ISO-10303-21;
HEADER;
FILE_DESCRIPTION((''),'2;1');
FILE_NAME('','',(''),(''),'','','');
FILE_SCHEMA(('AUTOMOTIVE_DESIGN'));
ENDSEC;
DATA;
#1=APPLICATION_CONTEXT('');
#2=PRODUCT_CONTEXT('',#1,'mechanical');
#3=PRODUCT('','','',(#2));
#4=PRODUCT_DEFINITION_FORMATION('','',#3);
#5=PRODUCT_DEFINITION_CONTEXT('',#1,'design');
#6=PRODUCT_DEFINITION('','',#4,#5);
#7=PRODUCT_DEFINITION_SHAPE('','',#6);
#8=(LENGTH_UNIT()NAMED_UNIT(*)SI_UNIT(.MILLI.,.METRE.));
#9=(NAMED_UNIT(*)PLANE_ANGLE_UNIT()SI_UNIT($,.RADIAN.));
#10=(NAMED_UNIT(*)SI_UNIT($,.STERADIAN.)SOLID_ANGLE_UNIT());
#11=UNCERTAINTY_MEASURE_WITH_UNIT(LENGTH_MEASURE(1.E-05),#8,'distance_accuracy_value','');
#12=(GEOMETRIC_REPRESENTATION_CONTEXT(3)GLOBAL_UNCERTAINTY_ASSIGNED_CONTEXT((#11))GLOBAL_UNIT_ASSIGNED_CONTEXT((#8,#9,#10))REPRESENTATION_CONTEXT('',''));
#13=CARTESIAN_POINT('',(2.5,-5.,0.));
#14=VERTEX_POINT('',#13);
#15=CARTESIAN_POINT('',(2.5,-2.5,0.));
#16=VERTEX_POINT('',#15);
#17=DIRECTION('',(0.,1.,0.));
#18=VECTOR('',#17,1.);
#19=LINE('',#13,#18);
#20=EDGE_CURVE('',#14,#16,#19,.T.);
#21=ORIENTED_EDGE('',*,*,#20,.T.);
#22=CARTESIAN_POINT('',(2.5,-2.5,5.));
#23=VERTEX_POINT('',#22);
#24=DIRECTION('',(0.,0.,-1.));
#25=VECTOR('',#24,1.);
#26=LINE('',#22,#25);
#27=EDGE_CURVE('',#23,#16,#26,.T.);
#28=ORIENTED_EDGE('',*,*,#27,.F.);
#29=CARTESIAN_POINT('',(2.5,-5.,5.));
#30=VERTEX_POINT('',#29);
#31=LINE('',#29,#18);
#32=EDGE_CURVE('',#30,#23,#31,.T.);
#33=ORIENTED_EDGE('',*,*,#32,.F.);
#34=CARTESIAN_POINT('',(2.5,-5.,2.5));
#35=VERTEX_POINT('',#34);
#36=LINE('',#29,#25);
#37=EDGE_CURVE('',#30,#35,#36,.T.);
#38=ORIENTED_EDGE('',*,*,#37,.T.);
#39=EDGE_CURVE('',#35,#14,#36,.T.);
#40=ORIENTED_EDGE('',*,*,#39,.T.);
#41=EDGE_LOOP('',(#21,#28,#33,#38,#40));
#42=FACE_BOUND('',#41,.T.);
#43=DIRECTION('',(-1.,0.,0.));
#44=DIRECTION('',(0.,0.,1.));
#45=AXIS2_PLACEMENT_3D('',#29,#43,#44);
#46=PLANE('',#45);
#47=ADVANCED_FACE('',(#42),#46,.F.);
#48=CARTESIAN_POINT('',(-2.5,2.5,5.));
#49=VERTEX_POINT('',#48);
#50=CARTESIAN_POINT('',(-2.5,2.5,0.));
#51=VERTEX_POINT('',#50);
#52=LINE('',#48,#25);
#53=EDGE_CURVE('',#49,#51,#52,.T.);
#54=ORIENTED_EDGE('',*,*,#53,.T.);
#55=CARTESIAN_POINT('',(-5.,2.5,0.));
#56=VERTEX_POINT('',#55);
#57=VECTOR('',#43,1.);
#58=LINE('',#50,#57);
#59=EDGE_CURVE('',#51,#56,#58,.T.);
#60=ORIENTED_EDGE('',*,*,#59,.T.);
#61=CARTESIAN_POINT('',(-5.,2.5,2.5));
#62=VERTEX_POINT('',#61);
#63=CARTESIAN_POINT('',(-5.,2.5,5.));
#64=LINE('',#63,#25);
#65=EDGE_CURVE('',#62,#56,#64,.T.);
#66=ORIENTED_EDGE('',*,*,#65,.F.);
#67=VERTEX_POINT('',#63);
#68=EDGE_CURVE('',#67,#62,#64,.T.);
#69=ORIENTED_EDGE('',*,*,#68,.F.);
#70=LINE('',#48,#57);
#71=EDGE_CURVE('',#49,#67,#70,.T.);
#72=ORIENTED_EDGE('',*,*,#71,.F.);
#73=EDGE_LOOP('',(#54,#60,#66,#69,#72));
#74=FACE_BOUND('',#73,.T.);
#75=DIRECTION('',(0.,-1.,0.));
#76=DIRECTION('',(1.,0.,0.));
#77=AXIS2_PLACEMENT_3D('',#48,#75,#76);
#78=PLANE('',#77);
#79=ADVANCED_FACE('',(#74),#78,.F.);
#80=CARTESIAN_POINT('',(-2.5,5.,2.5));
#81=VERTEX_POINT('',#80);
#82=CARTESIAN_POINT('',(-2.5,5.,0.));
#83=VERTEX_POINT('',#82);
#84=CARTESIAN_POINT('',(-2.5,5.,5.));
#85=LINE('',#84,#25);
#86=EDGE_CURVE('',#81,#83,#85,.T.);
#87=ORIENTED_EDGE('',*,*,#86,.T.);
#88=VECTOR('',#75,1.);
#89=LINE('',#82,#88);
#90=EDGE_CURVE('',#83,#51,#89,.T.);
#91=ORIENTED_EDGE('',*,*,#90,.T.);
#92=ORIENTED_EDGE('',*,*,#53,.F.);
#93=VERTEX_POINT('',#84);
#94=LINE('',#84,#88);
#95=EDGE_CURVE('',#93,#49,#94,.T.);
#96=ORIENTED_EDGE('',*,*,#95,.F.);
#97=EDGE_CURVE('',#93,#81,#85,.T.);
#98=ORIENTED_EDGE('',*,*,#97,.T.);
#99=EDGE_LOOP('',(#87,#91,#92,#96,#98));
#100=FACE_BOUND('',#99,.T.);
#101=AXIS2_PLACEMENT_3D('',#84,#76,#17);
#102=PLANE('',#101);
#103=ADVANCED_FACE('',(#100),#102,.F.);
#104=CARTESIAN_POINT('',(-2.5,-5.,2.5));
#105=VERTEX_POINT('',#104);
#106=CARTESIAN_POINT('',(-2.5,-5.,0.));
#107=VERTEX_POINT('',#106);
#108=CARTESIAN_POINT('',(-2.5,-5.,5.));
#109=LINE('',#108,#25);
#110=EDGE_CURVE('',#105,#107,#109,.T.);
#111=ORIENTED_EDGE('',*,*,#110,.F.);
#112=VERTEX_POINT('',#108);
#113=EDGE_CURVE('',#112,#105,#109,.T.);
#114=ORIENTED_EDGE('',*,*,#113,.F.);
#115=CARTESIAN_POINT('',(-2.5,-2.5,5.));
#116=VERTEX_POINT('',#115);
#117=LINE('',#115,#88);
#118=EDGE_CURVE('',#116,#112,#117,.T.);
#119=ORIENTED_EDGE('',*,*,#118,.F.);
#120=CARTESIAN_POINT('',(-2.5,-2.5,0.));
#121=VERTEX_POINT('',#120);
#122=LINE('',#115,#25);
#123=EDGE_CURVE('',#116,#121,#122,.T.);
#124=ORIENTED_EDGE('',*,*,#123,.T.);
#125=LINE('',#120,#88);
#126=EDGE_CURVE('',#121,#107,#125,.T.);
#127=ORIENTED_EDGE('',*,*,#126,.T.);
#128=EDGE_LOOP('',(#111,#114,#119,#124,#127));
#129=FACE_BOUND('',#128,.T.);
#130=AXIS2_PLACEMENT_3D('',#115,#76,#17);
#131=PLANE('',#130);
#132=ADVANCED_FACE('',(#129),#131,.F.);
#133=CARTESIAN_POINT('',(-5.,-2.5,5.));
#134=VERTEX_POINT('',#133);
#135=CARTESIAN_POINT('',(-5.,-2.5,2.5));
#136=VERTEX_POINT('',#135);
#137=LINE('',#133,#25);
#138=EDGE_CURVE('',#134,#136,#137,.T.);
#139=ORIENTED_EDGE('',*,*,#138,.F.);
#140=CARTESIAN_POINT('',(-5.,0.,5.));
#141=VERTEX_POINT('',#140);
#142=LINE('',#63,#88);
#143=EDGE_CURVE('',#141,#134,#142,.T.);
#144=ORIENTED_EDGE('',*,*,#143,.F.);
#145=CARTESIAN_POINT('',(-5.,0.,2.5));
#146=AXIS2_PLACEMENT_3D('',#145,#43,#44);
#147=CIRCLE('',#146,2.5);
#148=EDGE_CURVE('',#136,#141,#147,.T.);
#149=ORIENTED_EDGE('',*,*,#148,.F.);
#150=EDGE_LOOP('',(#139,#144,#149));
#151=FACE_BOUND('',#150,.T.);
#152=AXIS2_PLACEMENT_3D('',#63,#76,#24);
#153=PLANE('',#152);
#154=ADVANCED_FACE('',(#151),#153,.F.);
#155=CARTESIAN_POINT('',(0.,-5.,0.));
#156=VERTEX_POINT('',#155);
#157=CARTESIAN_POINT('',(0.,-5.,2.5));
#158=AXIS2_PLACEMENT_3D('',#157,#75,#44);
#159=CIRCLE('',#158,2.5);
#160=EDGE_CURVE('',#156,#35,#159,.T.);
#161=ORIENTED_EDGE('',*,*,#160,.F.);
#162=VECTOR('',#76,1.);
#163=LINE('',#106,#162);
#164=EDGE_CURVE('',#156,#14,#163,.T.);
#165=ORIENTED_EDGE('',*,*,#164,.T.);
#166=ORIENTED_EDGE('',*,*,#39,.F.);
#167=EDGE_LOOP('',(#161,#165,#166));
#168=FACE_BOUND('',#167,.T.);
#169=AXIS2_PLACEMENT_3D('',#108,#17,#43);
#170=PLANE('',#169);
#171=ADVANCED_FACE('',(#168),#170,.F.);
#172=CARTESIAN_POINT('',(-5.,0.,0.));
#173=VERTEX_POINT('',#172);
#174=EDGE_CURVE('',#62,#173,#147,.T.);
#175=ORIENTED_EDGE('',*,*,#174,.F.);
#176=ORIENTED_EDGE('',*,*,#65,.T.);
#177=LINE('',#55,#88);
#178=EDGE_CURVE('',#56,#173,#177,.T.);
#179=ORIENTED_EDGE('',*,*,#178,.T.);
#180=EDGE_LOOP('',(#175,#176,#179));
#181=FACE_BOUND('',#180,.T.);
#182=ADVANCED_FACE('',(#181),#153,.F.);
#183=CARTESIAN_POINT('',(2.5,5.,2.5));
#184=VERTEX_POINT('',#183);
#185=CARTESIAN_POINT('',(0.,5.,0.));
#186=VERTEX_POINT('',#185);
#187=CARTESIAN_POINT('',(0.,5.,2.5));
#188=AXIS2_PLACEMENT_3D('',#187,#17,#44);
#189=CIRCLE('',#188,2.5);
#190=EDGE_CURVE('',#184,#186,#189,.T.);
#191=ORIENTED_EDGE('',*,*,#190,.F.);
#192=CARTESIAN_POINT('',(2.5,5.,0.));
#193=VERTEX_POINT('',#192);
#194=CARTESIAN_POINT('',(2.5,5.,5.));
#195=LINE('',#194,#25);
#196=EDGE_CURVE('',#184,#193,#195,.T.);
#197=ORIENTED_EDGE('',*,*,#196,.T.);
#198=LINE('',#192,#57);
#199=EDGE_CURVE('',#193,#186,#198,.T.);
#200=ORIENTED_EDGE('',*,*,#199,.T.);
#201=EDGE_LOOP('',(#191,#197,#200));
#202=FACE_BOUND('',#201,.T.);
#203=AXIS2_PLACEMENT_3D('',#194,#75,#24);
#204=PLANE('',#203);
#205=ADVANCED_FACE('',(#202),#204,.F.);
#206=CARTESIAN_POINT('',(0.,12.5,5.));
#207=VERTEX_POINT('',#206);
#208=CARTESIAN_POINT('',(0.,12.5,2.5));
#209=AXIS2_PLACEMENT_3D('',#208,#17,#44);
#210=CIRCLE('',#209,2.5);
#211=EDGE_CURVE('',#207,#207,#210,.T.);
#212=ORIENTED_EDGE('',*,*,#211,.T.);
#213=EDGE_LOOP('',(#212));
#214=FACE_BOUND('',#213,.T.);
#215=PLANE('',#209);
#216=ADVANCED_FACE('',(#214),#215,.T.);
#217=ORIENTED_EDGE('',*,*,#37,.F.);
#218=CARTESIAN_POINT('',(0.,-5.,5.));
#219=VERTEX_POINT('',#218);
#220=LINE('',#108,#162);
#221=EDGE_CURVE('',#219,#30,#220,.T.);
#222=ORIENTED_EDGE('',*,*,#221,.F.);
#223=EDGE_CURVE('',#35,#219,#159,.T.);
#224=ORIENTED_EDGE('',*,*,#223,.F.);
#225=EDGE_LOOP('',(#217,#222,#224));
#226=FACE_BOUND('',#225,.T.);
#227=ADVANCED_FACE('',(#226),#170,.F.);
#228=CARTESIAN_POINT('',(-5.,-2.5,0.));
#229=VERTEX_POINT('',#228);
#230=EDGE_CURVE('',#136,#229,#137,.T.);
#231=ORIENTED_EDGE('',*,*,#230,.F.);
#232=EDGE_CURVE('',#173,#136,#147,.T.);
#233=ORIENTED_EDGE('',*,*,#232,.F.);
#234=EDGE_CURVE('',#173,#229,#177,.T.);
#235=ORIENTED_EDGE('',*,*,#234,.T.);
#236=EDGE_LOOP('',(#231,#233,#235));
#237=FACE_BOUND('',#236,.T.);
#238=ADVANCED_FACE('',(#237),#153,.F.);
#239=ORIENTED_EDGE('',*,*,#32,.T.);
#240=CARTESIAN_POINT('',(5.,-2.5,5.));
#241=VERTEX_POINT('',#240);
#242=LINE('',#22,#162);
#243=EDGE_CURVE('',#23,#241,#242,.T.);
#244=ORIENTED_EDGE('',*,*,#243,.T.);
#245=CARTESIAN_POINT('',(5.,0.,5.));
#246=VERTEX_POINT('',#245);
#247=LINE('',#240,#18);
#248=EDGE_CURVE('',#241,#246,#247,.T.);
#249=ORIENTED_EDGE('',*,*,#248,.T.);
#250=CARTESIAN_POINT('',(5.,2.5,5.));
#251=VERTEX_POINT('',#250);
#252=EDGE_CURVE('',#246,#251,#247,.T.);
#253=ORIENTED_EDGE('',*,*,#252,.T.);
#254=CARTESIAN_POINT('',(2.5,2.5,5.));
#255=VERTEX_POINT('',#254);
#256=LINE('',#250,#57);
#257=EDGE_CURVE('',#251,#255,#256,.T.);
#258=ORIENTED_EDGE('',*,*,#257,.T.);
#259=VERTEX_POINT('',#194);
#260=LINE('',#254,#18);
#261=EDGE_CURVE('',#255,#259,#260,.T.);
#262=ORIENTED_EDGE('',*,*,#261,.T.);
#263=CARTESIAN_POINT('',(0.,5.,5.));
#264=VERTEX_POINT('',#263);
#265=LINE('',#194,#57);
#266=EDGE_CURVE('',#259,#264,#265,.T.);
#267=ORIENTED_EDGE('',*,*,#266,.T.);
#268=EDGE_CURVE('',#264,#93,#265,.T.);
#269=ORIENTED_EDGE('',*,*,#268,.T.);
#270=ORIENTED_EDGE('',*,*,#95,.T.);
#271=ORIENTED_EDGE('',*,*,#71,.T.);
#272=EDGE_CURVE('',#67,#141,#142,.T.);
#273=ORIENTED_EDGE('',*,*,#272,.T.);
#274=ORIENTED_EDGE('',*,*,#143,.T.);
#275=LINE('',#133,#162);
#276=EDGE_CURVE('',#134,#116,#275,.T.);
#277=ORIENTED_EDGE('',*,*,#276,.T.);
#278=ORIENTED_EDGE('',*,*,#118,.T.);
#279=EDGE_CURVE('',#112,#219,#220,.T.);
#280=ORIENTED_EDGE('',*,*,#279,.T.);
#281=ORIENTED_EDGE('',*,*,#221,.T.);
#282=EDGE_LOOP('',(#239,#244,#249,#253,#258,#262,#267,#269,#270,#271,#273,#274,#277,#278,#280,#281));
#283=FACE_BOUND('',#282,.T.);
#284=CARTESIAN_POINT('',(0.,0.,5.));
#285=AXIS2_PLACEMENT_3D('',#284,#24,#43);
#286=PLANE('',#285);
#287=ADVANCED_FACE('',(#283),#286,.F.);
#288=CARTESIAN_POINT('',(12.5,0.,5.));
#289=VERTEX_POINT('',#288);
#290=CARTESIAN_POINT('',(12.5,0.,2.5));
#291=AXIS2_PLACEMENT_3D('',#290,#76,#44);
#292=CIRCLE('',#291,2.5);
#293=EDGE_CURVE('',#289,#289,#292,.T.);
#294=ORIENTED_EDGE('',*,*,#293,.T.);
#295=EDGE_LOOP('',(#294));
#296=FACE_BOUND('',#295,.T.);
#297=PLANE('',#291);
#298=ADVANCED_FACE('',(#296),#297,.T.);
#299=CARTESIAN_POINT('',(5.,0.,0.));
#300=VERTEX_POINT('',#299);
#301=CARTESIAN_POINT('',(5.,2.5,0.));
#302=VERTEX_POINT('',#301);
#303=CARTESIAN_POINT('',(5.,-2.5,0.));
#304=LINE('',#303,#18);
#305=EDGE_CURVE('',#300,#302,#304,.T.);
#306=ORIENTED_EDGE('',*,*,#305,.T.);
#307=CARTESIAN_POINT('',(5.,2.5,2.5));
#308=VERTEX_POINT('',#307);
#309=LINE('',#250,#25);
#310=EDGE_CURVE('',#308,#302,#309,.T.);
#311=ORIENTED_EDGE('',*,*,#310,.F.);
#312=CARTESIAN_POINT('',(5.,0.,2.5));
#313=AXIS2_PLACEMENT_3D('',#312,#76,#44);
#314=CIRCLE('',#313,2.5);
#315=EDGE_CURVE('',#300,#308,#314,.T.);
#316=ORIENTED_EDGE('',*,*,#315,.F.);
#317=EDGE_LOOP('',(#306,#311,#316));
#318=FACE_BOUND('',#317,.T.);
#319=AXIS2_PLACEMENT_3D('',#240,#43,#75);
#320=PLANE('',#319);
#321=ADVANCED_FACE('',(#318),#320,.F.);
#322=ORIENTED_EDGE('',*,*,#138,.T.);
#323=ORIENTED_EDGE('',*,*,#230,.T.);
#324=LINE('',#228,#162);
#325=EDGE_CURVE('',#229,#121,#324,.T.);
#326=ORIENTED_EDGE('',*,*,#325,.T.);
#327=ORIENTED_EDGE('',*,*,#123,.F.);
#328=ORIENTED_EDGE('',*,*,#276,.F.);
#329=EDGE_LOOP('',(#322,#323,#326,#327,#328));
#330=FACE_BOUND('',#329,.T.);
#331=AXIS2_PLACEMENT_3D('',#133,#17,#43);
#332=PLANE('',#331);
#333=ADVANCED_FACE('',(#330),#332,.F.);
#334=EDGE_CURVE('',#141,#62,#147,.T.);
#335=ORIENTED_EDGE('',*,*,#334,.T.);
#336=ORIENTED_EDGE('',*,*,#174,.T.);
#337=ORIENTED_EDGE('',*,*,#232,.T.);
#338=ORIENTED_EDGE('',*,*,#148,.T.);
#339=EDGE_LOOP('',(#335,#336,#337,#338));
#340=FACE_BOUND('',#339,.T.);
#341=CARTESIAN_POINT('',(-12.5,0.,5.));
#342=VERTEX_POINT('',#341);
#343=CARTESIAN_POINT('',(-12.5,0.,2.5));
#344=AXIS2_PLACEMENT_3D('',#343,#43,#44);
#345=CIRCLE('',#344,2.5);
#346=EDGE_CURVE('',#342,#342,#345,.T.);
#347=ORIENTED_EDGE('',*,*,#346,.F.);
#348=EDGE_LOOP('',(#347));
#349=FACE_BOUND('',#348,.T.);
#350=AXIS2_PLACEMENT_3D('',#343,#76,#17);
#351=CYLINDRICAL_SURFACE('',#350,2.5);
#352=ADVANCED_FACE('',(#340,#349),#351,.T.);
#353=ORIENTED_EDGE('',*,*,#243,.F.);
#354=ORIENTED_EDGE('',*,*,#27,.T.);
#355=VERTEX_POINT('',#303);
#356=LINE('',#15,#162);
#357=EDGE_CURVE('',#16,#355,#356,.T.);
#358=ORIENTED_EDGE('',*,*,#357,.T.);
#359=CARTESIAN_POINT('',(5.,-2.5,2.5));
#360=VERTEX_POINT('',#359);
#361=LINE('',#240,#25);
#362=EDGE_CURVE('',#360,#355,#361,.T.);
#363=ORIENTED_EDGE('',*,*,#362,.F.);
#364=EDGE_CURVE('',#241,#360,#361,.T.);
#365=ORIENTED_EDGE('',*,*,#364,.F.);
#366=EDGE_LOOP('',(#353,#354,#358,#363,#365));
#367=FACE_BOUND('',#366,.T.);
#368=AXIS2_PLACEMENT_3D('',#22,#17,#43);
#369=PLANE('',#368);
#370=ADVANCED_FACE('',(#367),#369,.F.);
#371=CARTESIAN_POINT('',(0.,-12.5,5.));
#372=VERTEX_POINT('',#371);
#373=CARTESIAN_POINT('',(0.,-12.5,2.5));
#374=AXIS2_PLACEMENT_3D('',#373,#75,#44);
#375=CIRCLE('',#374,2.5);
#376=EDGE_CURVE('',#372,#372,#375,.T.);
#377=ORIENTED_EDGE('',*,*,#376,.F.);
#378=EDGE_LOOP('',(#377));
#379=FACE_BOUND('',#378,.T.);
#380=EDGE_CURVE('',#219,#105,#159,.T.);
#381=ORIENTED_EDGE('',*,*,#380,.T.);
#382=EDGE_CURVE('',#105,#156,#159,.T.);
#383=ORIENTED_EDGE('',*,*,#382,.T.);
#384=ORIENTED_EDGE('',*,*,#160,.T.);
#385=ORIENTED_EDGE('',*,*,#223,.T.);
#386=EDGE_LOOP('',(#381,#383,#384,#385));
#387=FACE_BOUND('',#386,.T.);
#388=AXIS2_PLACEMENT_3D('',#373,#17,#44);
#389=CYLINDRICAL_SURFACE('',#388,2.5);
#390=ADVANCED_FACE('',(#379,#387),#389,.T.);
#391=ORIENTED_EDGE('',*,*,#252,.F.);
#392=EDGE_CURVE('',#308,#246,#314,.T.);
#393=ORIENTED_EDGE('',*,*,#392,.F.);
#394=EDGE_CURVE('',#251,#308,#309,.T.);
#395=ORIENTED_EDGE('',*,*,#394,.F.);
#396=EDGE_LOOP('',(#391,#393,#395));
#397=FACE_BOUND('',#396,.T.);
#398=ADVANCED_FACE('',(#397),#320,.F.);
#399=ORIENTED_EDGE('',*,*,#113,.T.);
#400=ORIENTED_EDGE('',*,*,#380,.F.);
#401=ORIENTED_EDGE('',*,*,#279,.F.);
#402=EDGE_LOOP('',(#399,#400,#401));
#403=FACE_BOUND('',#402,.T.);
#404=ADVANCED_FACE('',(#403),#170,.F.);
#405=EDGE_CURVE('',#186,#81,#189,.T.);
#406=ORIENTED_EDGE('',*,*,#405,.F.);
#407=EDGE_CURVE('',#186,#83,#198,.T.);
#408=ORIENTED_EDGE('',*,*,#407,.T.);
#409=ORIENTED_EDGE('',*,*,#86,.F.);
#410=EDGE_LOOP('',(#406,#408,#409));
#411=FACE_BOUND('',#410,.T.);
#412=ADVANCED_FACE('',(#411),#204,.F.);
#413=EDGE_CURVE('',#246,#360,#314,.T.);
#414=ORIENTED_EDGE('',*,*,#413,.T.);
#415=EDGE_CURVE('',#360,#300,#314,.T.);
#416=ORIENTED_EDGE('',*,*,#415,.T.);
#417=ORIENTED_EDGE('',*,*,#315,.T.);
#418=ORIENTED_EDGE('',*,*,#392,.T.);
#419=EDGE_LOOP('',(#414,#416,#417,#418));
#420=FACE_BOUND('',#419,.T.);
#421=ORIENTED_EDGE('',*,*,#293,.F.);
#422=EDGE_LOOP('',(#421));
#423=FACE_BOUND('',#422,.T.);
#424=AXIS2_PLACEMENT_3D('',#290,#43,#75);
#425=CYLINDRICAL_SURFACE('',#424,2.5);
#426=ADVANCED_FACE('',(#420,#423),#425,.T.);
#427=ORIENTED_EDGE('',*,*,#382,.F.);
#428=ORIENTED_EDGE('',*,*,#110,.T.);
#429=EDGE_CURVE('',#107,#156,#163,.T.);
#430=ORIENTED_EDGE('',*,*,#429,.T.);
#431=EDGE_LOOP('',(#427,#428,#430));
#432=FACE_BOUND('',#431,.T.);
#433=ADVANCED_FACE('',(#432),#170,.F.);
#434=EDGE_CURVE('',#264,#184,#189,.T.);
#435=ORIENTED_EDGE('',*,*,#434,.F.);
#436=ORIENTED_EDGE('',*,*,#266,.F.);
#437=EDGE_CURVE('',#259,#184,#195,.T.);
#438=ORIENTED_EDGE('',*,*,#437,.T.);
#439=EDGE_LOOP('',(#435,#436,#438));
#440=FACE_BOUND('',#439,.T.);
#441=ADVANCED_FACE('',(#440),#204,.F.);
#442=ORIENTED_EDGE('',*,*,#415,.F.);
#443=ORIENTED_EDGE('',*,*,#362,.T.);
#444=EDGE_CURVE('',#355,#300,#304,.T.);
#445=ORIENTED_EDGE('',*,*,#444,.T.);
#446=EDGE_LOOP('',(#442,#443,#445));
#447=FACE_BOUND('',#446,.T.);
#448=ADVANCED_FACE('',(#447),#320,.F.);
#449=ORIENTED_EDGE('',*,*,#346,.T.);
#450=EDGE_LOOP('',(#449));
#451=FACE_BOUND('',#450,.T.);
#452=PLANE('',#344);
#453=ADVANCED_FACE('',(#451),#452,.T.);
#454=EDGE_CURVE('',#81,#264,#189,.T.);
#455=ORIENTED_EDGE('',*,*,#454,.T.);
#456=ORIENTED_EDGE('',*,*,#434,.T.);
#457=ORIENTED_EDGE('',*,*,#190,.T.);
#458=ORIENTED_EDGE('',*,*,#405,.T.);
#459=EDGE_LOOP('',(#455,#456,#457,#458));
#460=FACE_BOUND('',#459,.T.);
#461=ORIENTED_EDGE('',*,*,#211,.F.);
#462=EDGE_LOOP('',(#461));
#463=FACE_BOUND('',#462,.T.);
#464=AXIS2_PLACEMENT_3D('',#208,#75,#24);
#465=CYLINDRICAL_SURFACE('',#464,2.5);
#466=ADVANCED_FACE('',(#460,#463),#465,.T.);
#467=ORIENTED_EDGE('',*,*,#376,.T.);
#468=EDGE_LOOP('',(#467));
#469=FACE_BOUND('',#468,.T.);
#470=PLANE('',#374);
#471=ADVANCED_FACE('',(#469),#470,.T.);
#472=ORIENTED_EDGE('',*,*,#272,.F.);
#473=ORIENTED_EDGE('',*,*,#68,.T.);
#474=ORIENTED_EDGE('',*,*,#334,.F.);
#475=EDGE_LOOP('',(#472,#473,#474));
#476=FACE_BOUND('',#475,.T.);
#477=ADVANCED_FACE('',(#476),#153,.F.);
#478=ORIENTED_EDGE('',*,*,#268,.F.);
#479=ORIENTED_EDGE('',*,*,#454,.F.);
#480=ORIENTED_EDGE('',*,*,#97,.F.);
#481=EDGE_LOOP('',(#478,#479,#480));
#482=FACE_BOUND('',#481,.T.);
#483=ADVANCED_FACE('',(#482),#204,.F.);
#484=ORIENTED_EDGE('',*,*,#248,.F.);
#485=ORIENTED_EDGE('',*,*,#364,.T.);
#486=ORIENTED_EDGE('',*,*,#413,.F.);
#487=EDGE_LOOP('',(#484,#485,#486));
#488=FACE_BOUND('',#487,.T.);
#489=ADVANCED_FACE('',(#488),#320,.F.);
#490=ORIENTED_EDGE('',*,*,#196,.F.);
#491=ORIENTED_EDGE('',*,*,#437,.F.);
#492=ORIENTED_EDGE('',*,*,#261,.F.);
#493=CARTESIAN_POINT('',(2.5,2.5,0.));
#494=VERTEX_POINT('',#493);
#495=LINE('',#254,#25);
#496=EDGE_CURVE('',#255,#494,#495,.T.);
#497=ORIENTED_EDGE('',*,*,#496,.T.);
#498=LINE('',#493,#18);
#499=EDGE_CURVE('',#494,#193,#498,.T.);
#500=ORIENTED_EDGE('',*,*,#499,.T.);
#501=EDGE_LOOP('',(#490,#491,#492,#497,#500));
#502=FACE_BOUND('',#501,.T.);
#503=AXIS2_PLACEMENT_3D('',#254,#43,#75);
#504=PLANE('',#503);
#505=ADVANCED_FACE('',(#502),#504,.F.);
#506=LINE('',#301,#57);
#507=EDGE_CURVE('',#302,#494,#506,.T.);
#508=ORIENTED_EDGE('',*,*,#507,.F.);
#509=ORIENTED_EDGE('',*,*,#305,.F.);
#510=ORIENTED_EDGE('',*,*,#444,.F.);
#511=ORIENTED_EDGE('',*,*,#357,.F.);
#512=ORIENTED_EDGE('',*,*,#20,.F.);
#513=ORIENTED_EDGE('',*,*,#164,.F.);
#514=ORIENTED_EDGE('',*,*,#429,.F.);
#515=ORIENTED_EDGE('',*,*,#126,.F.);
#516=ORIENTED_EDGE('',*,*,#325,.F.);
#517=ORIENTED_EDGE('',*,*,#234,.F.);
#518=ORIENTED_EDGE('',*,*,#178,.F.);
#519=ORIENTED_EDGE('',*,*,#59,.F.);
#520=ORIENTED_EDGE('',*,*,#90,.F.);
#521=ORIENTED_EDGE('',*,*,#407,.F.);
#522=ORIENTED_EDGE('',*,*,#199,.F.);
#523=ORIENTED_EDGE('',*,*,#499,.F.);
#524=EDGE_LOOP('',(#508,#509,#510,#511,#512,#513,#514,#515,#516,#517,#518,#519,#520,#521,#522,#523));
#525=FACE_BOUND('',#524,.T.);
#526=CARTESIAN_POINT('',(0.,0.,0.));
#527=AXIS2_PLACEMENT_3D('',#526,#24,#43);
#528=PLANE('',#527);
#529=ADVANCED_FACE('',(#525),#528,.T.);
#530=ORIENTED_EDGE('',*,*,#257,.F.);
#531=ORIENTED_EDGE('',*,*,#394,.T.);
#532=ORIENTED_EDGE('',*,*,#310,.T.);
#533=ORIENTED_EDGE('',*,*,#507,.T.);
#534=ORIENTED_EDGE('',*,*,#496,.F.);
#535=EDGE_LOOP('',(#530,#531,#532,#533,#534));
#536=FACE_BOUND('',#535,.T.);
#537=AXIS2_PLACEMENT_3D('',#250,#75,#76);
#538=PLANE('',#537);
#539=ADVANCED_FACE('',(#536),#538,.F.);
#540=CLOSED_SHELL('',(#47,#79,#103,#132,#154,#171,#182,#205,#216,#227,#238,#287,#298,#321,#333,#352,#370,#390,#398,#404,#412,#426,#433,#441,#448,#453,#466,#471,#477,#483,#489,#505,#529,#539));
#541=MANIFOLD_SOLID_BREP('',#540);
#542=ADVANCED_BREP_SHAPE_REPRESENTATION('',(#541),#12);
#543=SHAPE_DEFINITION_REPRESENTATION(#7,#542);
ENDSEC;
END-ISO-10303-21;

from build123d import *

# Parameters (mm, degrees)
BOSS_EXTRUDE1_DEPTH = 5
SKETCH2_R           = 2.5
BOSS_EXTRUDE2_DEPTH = 7.5
CIRPATTERN1_COUNT   = 4


with BuildPart() as part:
    # Sketch1 → Boss-Extrude1 (new body)
    with BuildSketch(Plane.XY):
        Polygon((-2.5, 2.5), (-5, 2.5), (-5, -2.5), (-2.5, -2.5), (-2.5, -5), (2.5, -5), (2.5, -2.5), (5, -2.5), (5, 2.5), (2.5, 2.5), (2.5, 5), (-2.5, 5), align=None)
    extrude(amount=BOSS_EXTRUDE1_DEPTH)

    # Sketch2 → Boss-Extrude2 (add)
    with BuildSketch(Plane(origin=(0, 5, 0), x_dir=(1, 0, 0), z_dir=(0, 1, 0))):
        with Locations((0, -2.5)):
            Circle(SKETCH2_R)
    boss_extrude2 = extrude(amount=BOSS_EXTRUDE2_DEPTH)

    # CirPattern1: Boss-Extrude2 ×4 about axis
    cirpattern1_axis = Axis((0, 0, 0), (0, 0, 1))
    for i in range(1, CIRPATTERN1_COUNT):
        add(boss_extrude2.rotate(cirpattern1_axis, i * 360 / CIRPATTERN1_COUNT))


solid = part.part
